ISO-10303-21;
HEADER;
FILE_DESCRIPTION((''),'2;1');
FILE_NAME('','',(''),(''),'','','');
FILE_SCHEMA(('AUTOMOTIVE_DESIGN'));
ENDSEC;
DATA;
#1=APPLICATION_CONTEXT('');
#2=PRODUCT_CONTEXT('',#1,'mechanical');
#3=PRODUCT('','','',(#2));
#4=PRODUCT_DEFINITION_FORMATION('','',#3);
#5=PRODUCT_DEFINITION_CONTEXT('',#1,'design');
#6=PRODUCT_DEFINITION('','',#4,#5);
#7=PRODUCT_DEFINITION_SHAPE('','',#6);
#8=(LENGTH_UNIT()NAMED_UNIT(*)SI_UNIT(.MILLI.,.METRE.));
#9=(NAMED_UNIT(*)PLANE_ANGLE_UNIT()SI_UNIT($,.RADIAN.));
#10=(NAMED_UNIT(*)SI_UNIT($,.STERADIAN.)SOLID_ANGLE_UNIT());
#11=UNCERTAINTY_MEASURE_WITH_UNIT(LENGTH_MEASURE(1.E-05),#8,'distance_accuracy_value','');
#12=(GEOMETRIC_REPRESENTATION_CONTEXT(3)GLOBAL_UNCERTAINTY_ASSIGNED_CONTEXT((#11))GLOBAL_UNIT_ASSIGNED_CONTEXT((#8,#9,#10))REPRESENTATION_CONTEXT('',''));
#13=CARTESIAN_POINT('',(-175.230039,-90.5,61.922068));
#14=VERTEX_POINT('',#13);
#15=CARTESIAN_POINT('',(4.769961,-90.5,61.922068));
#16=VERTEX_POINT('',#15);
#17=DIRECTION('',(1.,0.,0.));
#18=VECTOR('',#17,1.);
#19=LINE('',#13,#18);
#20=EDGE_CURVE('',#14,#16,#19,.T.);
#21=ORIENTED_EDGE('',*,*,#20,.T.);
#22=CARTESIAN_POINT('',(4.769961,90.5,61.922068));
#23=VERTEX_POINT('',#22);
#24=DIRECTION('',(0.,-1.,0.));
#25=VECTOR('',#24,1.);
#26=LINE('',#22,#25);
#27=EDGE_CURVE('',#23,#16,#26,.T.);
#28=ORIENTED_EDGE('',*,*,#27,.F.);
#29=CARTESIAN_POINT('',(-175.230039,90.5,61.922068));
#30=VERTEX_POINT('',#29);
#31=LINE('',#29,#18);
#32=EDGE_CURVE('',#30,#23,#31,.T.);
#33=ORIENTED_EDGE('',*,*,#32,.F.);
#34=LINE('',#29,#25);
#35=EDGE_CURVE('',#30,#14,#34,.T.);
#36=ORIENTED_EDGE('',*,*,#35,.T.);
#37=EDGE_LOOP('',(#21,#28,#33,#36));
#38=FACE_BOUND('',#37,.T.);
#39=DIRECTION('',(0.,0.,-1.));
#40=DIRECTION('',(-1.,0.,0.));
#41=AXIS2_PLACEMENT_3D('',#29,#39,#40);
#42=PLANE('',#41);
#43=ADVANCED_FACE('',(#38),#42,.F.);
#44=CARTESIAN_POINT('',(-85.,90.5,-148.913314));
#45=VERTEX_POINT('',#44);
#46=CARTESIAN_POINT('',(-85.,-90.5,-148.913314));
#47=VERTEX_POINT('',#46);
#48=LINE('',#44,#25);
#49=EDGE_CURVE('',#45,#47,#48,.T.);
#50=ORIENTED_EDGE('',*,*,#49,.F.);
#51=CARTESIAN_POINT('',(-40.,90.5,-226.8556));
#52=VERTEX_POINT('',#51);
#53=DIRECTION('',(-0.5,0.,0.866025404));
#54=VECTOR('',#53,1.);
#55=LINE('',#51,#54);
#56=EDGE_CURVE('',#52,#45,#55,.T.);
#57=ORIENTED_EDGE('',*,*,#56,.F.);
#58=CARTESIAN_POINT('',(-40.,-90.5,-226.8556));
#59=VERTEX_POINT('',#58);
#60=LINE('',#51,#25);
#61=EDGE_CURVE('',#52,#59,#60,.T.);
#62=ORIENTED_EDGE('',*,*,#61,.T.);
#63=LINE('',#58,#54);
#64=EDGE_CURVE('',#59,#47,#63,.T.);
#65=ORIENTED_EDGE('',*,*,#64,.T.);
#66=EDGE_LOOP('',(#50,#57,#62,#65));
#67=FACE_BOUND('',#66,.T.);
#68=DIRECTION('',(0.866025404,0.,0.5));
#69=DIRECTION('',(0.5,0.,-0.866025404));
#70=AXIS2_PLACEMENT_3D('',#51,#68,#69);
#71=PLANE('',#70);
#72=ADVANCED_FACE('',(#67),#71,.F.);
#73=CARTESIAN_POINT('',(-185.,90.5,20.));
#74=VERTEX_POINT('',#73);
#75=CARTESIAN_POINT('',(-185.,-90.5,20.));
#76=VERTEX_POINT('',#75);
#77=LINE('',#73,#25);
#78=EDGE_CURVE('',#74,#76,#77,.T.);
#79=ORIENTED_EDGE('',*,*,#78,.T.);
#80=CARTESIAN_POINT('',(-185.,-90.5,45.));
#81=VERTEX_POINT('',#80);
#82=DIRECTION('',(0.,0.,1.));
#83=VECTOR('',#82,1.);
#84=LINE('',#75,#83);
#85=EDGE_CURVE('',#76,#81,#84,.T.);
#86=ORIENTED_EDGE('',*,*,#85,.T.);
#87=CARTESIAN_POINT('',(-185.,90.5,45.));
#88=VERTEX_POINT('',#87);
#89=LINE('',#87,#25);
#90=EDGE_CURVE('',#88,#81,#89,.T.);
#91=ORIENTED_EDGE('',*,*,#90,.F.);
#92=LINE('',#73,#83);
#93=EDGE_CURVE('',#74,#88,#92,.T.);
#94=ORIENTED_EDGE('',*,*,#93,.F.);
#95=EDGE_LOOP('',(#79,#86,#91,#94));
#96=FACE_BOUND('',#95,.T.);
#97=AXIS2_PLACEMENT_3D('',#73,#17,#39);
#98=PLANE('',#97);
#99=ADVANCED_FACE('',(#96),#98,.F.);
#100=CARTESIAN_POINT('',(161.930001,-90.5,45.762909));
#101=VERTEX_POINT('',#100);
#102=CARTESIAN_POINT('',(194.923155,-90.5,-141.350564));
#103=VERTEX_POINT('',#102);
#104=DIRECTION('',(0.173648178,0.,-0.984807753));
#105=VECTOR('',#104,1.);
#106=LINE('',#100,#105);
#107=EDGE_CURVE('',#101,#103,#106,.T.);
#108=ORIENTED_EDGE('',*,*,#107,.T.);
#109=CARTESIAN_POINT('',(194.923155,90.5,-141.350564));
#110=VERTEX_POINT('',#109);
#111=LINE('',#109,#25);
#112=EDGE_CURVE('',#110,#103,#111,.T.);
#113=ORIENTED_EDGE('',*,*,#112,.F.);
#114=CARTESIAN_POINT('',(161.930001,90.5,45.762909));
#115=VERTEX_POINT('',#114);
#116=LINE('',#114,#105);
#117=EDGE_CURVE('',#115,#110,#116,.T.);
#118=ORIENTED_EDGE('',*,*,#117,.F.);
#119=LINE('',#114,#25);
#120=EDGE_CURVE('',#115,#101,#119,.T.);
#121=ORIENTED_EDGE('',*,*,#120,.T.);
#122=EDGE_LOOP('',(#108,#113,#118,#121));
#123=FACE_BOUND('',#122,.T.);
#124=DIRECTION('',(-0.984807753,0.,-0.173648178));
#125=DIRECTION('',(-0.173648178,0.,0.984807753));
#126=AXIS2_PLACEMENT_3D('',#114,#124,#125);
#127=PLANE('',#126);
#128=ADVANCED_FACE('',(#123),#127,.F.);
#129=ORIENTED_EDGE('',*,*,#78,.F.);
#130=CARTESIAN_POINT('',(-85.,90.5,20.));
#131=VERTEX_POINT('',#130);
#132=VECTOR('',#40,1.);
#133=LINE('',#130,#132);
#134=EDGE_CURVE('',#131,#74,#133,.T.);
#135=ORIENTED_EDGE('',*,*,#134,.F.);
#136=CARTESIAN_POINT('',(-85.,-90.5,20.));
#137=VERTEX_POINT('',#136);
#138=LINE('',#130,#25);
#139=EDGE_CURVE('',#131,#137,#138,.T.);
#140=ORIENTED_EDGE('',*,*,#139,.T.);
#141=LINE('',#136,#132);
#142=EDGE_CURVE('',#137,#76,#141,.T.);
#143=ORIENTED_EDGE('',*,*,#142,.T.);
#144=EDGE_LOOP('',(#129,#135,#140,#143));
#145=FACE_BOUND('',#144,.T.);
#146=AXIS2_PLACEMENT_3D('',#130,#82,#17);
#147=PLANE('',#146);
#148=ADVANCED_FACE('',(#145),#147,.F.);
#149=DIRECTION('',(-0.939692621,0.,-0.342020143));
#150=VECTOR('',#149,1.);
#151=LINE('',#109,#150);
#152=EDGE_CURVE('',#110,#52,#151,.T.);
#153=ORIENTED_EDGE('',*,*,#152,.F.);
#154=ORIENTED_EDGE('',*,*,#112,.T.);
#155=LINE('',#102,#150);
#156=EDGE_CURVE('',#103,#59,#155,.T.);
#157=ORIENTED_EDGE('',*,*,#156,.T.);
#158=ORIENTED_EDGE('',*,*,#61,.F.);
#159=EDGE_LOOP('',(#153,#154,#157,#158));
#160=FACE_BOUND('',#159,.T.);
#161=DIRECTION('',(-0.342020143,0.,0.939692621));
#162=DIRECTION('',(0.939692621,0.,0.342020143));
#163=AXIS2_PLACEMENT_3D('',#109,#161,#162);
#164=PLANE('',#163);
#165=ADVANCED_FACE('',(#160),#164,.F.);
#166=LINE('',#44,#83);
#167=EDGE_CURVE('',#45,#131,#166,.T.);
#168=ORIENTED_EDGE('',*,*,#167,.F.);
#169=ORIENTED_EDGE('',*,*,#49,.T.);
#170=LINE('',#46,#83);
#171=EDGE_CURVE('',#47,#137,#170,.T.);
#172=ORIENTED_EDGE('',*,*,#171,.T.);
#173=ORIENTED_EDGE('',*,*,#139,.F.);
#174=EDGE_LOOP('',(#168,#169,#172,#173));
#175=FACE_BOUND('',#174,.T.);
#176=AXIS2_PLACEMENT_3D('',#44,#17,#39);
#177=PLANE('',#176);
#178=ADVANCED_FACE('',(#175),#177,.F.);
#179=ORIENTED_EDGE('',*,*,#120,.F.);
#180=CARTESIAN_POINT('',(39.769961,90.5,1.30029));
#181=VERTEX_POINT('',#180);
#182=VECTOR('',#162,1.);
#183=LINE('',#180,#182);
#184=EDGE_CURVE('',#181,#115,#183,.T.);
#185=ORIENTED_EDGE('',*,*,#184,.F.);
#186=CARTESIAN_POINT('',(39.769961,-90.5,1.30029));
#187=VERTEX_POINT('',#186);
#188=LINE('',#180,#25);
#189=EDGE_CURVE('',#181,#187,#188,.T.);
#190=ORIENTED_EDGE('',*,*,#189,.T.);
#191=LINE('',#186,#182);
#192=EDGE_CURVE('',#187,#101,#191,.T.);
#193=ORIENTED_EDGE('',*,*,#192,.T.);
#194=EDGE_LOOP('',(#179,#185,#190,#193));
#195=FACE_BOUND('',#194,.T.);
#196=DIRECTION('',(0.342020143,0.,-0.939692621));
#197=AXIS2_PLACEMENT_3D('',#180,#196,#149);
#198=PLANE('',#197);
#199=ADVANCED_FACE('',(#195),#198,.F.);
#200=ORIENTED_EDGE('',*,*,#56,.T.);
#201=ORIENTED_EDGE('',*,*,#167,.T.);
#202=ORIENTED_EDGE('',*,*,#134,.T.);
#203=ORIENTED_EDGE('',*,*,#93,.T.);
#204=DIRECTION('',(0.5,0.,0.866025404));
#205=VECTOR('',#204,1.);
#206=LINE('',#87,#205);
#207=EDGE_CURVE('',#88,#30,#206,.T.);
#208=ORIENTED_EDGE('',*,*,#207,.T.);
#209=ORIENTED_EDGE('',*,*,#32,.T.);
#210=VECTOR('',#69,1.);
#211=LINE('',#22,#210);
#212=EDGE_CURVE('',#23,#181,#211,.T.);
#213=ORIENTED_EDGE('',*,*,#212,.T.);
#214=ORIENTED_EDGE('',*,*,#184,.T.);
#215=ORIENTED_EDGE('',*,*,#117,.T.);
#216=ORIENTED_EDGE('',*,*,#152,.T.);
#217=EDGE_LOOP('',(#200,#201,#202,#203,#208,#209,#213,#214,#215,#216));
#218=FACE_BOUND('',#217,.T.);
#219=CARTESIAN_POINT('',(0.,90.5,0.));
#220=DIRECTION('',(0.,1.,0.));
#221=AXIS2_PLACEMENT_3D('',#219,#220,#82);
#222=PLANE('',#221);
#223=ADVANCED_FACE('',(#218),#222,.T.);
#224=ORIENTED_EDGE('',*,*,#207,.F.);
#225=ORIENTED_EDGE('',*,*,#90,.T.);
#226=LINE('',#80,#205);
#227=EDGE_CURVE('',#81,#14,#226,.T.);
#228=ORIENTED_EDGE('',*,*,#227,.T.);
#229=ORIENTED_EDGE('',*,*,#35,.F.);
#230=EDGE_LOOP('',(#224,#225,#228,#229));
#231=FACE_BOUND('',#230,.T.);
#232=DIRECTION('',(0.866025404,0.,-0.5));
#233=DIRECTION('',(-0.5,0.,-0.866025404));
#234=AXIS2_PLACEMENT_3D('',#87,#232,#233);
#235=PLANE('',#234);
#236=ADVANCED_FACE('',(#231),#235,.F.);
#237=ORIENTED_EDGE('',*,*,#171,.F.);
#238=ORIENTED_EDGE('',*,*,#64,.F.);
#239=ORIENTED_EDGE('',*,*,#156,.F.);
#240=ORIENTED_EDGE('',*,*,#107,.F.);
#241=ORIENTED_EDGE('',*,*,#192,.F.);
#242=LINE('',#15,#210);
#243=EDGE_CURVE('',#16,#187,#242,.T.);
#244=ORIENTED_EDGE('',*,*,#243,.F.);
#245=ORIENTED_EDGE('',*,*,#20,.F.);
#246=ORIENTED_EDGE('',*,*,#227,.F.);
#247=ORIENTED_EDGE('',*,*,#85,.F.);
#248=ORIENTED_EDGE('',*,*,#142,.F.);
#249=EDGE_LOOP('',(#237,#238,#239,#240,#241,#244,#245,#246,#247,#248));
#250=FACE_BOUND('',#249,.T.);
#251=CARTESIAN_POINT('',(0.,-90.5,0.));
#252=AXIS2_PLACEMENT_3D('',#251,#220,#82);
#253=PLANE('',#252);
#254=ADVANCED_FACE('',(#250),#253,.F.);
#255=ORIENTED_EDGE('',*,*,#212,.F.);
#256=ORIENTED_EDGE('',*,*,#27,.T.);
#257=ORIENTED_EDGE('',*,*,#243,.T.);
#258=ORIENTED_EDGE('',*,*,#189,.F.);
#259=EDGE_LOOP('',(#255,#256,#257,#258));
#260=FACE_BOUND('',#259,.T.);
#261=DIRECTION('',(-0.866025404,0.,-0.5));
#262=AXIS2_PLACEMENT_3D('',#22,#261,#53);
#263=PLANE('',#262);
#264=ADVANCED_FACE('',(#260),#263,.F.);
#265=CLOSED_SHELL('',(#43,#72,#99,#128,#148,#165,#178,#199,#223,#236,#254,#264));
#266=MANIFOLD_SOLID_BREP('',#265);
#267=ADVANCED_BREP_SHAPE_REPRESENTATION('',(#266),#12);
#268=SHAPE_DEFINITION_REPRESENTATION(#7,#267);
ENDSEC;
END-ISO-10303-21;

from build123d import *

# Parameters (mm, degrees)
BOSS_EXTRUDE1_DEPTH = 90.5


with BuildPart() as part:
    # Sketch1 → Boss-Extrude1 (new, symmetric)
    with BuildSketch(Plane(origin=(0, 0, 0), x_dir=(1, 0, 0), z_dir=(0, 1, 0))):
        Polygon((-185, -45), (-175.230039262, -61.922068385), (4.769960738, -61.922068385), (39.769960738, -1.300290121), (161.93000144, -45.762908753), (194.923155196, 141.350564319), (-40, 226.855600151), (-85, 148.91331381), (-85, -20), (-185, -20), align=None)
    extrude(amount=BOSS_EXTRUDE1_DEPTH, both=True)


solid = part.part
